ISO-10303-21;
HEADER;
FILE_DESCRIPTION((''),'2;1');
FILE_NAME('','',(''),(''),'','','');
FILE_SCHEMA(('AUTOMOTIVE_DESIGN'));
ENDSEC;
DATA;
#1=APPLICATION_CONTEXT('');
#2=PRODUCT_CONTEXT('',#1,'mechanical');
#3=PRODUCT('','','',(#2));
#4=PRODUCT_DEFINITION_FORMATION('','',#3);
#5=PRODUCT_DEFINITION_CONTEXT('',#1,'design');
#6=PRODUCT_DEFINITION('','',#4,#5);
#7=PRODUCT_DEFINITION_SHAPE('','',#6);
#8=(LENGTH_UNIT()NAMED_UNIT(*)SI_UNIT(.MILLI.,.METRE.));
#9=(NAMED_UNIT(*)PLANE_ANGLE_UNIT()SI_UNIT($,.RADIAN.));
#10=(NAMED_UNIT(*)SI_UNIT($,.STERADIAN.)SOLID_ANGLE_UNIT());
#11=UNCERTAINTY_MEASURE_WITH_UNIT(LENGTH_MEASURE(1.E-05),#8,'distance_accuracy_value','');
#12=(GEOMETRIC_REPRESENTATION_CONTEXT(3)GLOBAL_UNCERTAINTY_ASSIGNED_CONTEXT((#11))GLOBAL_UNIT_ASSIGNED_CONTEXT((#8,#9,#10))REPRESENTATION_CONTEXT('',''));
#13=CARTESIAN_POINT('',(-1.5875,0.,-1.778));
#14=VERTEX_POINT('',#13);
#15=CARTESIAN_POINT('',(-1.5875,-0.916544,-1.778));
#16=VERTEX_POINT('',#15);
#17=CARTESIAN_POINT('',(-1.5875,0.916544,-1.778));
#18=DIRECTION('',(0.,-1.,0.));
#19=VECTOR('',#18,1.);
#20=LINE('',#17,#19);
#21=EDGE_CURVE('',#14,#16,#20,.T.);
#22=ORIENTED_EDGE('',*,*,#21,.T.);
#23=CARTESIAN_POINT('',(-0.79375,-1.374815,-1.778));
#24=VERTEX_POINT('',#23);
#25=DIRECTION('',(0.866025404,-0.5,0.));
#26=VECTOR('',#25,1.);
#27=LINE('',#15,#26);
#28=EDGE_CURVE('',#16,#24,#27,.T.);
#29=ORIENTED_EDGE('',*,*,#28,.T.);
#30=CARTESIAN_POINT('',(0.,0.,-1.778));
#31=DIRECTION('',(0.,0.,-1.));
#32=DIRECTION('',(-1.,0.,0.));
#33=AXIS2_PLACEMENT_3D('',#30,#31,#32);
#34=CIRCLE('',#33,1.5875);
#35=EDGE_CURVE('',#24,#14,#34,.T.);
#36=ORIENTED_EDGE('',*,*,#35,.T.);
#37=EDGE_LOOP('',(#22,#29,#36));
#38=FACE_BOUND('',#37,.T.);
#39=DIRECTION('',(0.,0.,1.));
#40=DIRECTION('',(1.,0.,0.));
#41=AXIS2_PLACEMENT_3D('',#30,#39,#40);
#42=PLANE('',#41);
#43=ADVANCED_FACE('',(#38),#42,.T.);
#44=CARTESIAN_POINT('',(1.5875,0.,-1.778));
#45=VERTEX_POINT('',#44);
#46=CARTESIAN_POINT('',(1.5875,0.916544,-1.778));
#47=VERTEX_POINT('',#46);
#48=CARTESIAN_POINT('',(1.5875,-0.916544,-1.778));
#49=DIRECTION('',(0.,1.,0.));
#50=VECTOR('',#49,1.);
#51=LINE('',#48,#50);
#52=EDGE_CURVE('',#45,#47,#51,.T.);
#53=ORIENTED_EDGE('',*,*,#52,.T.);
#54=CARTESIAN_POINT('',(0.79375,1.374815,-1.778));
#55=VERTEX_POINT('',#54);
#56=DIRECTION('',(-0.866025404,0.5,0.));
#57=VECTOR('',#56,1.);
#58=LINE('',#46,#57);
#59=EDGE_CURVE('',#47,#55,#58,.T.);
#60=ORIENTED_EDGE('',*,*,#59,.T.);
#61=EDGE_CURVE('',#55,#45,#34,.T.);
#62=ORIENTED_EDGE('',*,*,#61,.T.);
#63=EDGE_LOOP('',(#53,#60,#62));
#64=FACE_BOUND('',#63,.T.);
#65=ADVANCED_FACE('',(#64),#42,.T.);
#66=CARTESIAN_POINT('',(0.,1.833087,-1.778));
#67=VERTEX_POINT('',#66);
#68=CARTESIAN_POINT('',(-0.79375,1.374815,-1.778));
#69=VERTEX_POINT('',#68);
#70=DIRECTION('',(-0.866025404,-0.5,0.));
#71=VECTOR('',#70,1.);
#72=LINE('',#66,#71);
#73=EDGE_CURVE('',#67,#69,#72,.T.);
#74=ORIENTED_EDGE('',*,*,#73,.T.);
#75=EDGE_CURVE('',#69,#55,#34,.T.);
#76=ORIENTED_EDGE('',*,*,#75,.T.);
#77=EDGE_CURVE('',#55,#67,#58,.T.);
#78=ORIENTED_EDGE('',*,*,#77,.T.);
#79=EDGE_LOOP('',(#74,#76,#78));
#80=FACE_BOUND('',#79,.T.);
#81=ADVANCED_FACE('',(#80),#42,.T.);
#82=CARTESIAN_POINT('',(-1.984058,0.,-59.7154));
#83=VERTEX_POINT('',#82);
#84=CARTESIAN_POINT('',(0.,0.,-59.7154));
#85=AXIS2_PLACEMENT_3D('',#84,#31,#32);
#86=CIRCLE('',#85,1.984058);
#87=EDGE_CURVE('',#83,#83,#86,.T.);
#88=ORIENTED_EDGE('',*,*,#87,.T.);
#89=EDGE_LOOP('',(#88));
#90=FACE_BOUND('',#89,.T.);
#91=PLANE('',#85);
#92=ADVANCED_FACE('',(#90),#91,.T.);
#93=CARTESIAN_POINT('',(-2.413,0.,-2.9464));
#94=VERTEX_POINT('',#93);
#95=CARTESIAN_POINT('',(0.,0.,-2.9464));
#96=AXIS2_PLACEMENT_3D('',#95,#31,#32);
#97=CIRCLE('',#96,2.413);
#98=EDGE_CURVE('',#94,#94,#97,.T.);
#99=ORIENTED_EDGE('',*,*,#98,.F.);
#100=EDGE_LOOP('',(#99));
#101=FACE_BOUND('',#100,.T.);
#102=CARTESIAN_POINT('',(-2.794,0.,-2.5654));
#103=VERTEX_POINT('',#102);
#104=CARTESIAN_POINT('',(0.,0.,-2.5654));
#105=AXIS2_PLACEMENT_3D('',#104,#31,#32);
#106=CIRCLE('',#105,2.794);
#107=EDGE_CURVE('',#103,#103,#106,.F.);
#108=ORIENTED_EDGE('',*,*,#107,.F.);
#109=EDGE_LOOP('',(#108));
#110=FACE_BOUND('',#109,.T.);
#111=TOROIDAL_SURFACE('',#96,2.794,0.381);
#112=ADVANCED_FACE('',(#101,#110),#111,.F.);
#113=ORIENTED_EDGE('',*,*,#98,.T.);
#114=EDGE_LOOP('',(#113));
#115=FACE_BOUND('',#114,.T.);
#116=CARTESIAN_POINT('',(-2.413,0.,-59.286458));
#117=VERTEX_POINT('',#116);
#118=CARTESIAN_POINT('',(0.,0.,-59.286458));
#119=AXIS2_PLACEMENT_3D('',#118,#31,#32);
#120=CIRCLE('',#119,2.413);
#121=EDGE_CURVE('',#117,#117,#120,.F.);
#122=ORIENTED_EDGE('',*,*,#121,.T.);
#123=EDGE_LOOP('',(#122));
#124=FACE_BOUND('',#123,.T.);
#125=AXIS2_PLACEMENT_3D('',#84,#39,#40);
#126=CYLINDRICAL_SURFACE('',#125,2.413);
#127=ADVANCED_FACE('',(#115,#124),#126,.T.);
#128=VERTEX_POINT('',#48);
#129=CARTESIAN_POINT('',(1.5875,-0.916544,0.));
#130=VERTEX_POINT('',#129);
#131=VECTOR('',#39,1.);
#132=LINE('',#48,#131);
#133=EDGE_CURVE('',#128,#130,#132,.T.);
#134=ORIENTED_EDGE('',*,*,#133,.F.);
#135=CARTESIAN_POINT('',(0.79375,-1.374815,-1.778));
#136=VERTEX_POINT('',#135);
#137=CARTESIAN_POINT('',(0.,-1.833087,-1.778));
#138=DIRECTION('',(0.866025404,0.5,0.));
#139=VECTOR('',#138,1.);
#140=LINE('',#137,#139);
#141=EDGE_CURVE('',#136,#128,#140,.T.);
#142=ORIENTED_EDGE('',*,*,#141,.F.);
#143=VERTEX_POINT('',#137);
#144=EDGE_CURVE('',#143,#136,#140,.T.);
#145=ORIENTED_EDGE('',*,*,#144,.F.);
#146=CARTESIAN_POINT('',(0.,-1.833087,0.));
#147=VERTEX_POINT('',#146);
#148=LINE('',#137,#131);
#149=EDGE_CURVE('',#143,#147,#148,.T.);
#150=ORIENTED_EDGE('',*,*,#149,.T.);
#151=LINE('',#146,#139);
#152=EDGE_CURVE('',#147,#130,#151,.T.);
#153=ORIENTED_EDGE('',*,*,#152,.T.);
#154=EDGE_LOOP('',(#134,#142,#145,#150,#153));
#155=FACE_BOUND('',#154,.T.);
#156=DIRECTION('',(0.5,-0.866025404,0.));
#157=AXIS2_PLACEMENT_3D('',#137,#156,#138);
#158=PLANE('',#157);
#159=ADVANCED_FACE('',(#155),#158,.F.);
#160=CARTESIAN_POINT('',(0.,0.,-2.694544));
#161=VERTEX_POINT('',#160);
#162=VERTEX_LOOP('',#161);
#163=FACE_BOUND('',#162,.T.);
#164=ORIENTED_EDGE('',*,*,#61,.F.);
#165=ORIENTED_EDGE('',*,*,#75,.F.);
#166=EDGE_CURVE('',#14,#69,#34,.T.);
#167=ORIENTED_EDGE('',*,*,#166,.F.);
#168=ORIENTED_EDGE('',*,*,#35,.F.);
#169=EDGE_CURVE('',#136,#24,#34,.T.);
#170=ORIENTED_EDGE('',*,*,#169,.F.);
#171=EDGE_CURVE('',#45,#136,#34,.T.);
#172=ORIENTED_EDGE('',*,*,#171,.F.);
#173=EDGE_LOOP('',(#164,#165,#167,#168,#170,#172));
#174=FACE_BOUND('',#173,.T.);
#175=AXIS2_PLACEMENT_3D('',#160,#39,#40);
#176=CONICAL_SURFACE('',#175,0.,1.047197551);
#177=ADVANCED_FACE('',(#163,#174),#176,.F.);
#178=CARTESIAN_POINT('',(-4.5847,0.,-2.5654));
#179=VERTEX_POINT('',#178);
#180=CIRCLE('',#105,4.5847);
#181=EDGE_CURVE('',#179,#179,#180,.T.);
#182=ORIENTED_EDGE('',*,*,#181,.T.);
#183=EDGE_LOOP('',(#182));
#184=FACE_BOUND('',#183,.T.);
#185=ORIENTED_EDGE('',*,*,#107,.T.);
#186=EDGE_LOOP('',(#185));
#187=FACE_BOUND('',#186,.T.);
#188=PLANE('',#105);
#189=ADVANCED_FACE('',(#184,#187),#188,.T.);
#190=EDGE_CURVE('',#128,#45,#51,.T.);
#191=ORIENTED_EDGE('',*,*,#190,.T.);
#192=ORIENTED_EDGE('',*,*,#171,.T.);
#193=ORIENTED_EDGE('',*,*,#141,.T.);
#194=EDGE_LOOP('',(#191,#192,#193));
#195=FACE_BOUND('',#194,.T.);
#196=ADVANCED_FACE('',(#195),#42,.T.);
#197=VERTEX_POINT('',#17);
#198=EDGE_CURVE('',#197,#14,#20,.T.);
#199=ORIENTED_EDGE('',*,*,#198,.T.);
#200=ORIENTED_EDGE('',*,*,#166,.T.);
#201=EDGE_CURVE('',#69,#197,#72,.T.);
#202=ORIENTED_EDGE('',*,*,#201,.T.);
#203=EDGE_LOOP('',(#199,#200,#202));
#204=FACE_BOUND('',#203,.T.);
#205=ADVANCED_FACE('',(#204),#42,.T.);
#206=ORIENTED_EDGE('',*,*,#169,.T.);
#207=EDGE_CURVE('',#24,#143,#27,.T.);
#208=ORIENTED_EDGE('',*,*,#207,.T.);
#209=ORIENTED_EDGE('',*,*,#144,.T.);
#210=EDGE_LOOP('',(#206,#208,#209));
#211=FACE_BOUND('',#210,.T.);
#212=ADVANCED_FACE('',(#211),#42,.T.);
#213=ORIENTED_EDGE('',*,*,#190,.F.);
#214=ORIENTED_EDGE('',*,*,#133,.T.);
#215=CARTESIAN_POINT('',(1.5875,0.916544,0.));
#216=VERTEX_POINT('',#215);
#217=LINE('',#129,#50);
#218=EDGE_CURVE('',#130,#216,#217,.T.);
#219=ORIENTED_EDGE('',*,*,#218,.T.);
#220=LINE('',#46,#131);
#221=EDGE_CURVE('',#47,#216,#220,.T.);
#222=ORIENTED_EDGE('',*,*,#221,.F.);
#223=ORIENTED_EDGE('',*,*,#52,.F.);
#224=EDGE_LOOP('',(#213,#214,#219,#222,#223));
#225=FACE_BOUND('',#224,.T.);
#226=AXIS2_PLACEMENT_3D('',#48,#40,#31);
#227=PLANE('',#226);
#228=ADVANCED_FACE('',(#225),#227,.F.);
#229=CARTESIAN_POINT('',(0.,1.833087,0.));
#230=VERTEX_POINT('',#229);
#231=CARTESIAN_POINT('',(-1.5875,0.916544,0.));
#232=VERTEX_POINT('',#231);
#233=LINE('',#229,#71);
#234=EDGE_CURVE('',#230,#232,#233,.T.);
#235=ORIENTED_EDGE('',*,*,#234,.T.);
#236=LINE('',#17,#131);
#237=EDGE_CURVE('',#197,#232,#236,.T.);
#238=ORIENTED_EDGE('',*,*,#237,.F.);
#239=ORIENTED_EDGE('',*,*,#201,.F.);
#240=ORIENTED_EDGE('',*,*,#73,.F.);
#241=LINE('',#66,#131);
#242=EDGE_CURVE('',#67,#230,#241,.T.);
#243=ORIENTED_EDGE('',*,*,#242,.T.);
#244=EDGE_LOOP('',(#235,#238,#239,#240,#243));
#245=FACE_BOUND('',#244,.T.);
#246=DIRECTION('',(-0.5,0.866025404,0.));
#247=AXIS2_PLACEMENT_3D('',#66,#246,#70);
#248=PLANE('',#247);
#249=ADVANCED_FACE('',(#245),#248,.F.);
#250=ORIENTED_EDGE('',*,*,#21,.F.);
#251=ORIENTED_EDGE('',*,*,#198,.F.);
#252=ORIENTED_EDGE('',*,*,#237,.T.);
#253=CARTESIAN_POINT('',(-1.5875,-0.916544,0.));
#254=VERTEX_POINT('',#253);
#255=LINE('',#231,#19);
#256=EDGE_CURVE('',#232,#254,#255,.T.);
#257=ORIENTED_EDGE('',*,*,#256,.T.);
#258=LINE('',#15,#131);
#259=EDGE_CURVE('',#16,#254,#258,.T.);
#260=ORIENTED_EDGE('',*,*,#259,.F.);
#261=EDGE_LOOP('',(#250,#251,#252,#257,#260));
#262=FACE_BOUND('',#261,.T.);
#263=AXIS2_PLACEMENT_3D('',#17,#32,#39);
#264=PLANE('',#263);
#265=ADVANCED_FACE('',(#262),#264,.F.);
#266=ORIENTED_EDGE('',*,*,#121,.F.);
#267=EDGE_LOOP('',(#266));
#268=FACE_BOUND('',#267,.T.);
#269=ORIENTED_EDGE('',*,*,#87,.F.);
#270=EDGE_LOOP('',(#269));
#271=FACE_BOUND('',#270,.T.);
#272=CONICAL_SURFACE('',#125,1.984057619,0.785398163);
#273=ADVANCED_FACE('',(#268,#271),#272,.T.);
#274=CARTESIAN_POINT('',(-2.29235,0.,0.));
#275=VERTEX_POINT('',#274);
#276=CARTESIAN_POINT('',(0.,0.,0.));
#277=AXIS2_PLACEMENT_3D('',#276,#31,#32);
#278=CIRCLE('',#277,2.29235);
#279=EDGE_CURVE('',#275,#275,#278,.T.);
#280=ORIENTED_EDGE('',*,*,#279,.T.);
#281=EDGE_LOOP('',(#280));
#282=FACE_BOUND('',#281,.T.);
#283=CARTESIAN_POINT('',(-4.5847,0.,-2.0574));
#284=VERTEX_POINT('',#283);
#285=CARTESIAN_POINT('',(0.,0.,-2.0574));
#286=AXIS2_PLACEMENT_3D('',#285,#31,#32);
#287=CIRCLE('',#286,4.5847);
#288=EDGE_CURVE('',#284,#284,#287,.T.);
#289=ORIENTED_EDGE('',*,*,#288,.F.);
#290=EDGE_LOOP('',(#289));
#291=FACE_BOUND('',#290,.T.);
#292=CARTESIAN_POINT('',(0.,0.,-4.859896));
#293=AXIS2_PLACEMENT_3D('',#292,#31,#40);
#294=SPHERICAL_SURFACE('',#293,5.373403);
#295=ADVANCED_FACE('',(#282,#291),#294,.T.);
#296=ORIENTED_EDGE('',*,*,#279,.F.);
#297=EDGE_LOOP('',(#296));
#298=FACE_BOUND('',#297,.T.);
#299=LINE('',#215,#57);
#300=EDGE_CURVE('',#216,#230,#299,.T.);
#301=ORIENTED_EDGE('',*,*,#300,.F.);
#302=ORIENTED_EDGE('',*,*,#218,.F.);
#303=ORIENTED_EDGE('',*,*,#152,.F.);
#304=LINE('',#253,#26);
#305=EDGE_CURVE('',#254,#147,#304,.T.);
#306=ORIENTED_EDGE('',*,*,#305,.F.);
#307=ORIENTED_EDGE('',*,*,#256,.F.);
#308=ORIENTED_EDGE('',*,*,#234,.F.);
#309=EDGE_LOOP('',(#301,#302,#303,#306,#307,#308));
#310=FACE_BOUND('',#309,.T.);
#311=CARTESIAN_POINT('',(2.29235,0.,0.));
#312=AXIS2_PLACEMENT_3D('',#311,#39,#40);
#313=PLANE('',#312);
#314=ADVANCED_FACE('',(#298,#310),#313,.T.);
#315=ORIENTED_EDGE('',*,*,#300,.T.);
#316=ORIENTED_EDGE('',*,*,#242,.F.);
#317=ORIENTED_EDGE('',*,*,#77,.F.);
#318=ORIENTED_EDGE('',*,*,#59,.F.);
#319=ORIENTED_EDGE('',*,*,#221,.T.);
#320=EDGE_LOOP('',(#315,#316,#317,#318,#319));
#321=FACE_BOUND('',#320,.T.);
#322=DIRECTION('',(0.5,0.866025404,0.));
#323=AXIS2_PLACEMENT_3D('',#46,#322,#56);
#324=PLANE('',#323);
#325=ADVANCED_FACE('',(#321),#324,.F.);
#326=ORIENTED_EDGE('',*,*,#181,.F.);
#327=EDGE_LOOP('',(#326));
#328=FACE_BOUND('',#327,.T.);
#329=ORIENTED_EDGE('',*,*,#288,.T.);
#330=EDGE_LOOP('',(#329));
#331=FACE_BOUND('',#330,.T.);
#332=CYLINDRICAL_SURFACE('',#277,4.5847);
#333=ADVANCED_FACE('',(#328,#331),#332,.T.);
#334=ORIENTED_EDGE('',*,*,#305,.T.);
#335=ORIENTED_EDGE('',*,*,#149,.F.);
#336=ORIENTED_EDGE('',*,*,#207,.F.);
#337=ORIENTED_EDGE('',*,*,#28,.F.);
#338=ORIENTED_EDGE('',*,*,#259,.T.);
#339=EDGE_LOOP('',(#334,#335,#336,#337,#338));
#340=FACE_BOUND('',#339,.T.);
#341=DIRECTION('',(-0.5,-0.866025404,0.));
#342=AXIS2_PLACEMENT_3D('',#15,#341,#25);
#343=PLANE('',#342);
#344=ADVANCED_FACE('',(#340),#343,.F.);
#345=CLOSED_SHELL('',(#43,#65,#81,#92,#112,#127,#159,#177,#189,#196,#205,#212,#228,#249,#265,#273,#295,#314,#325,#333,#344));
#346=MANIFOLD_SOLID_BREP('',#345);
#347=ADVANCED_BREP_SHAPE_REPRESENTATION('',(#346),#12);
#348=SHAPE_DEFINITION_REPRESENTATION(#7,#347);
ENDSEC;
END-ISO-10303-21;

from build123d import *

# Parameters (mm, degrees)
SKETCH2_R           = 2.413
BOSS_EXTRUDE1_DEPTH = 57.15
CUT_EXTRUDE1_DEPTH  = 1.778
CHAMFER1_SIZE       = 0.428942381
FILLET1_R           = 0.381


with BuildPart() as part:
    # Sketch1 → Revolve1 (revolve)
    with BuildSketch(Plane.XZ):
        with BuildLine():
            Line((2.29235, 0), (0, 0))
            Line((0, 0), (0, -2.5654))
            Line((0, -2.5654), (4.5847, -2.5654))
            Line((4.5847, -2.5654), (4.5847, -2.0574))
            ThreePointArc((4.5847, -2.0574), (3.589105441, -0.860923645), (2.29235, 0))
        make_face()
    revolve(axis=Axis((0, 0, 0), (0, 0, -1)))

    # Sketch2 → Boss-Extrude1 (add)
    with BuildSketch(Plane(origin=(0, 0, -2.5654), x_dir=(-1, 0, 0), z_dir=(0, 0, -1))):
        Circle(SKETCH2_R)
    extrude(amount=BOSS_EXTRUDE1_DEPTH)

    # Sketch3 → Cut-Extrude1 (cut)
    with BuildSketch(Plane.XY):
        Polygon((1.5875, -0.916543552), (1.5875, 0.916543552), (0, 1.833087105), (-1.5875, 0.916543552), (-1.5875, -0.916543552), (0, -1.833087105), align=None)
    extrude(amount=-CUT_EXTRUDE1_DEPTH, mode=Mode.SUBTRACT)

    # Sketch4 → Cut-Revolve1 (revolve, cut)
    with BuildSketch(Plane.XZ):
        Polygon((1.5875, -1.778), (0, -1.778), (0, -2.694543552), align=None)
    revolve(axis=Axis((0, 0, -1.778), (0, 0, -1)), mode=Mode.SUBTRACT)

    # Chamfer1
    chamfer1_edges = [part.edges().sort_by_distance(p)[0] for p in [
        (2.413, 0, -59.7154),
    ]]
    chamfer(chamfer1_edges, length=CHAMFER1_SIZE)

    # Fillet1
    fillet1_edges = [part.edges().sort_by_distance(p)[0] for p in [
        (2.413, 0, -2.5654),
    ]]
    fillet(fillet1_edges, radius=FILLET1_R)


solid = part.part
